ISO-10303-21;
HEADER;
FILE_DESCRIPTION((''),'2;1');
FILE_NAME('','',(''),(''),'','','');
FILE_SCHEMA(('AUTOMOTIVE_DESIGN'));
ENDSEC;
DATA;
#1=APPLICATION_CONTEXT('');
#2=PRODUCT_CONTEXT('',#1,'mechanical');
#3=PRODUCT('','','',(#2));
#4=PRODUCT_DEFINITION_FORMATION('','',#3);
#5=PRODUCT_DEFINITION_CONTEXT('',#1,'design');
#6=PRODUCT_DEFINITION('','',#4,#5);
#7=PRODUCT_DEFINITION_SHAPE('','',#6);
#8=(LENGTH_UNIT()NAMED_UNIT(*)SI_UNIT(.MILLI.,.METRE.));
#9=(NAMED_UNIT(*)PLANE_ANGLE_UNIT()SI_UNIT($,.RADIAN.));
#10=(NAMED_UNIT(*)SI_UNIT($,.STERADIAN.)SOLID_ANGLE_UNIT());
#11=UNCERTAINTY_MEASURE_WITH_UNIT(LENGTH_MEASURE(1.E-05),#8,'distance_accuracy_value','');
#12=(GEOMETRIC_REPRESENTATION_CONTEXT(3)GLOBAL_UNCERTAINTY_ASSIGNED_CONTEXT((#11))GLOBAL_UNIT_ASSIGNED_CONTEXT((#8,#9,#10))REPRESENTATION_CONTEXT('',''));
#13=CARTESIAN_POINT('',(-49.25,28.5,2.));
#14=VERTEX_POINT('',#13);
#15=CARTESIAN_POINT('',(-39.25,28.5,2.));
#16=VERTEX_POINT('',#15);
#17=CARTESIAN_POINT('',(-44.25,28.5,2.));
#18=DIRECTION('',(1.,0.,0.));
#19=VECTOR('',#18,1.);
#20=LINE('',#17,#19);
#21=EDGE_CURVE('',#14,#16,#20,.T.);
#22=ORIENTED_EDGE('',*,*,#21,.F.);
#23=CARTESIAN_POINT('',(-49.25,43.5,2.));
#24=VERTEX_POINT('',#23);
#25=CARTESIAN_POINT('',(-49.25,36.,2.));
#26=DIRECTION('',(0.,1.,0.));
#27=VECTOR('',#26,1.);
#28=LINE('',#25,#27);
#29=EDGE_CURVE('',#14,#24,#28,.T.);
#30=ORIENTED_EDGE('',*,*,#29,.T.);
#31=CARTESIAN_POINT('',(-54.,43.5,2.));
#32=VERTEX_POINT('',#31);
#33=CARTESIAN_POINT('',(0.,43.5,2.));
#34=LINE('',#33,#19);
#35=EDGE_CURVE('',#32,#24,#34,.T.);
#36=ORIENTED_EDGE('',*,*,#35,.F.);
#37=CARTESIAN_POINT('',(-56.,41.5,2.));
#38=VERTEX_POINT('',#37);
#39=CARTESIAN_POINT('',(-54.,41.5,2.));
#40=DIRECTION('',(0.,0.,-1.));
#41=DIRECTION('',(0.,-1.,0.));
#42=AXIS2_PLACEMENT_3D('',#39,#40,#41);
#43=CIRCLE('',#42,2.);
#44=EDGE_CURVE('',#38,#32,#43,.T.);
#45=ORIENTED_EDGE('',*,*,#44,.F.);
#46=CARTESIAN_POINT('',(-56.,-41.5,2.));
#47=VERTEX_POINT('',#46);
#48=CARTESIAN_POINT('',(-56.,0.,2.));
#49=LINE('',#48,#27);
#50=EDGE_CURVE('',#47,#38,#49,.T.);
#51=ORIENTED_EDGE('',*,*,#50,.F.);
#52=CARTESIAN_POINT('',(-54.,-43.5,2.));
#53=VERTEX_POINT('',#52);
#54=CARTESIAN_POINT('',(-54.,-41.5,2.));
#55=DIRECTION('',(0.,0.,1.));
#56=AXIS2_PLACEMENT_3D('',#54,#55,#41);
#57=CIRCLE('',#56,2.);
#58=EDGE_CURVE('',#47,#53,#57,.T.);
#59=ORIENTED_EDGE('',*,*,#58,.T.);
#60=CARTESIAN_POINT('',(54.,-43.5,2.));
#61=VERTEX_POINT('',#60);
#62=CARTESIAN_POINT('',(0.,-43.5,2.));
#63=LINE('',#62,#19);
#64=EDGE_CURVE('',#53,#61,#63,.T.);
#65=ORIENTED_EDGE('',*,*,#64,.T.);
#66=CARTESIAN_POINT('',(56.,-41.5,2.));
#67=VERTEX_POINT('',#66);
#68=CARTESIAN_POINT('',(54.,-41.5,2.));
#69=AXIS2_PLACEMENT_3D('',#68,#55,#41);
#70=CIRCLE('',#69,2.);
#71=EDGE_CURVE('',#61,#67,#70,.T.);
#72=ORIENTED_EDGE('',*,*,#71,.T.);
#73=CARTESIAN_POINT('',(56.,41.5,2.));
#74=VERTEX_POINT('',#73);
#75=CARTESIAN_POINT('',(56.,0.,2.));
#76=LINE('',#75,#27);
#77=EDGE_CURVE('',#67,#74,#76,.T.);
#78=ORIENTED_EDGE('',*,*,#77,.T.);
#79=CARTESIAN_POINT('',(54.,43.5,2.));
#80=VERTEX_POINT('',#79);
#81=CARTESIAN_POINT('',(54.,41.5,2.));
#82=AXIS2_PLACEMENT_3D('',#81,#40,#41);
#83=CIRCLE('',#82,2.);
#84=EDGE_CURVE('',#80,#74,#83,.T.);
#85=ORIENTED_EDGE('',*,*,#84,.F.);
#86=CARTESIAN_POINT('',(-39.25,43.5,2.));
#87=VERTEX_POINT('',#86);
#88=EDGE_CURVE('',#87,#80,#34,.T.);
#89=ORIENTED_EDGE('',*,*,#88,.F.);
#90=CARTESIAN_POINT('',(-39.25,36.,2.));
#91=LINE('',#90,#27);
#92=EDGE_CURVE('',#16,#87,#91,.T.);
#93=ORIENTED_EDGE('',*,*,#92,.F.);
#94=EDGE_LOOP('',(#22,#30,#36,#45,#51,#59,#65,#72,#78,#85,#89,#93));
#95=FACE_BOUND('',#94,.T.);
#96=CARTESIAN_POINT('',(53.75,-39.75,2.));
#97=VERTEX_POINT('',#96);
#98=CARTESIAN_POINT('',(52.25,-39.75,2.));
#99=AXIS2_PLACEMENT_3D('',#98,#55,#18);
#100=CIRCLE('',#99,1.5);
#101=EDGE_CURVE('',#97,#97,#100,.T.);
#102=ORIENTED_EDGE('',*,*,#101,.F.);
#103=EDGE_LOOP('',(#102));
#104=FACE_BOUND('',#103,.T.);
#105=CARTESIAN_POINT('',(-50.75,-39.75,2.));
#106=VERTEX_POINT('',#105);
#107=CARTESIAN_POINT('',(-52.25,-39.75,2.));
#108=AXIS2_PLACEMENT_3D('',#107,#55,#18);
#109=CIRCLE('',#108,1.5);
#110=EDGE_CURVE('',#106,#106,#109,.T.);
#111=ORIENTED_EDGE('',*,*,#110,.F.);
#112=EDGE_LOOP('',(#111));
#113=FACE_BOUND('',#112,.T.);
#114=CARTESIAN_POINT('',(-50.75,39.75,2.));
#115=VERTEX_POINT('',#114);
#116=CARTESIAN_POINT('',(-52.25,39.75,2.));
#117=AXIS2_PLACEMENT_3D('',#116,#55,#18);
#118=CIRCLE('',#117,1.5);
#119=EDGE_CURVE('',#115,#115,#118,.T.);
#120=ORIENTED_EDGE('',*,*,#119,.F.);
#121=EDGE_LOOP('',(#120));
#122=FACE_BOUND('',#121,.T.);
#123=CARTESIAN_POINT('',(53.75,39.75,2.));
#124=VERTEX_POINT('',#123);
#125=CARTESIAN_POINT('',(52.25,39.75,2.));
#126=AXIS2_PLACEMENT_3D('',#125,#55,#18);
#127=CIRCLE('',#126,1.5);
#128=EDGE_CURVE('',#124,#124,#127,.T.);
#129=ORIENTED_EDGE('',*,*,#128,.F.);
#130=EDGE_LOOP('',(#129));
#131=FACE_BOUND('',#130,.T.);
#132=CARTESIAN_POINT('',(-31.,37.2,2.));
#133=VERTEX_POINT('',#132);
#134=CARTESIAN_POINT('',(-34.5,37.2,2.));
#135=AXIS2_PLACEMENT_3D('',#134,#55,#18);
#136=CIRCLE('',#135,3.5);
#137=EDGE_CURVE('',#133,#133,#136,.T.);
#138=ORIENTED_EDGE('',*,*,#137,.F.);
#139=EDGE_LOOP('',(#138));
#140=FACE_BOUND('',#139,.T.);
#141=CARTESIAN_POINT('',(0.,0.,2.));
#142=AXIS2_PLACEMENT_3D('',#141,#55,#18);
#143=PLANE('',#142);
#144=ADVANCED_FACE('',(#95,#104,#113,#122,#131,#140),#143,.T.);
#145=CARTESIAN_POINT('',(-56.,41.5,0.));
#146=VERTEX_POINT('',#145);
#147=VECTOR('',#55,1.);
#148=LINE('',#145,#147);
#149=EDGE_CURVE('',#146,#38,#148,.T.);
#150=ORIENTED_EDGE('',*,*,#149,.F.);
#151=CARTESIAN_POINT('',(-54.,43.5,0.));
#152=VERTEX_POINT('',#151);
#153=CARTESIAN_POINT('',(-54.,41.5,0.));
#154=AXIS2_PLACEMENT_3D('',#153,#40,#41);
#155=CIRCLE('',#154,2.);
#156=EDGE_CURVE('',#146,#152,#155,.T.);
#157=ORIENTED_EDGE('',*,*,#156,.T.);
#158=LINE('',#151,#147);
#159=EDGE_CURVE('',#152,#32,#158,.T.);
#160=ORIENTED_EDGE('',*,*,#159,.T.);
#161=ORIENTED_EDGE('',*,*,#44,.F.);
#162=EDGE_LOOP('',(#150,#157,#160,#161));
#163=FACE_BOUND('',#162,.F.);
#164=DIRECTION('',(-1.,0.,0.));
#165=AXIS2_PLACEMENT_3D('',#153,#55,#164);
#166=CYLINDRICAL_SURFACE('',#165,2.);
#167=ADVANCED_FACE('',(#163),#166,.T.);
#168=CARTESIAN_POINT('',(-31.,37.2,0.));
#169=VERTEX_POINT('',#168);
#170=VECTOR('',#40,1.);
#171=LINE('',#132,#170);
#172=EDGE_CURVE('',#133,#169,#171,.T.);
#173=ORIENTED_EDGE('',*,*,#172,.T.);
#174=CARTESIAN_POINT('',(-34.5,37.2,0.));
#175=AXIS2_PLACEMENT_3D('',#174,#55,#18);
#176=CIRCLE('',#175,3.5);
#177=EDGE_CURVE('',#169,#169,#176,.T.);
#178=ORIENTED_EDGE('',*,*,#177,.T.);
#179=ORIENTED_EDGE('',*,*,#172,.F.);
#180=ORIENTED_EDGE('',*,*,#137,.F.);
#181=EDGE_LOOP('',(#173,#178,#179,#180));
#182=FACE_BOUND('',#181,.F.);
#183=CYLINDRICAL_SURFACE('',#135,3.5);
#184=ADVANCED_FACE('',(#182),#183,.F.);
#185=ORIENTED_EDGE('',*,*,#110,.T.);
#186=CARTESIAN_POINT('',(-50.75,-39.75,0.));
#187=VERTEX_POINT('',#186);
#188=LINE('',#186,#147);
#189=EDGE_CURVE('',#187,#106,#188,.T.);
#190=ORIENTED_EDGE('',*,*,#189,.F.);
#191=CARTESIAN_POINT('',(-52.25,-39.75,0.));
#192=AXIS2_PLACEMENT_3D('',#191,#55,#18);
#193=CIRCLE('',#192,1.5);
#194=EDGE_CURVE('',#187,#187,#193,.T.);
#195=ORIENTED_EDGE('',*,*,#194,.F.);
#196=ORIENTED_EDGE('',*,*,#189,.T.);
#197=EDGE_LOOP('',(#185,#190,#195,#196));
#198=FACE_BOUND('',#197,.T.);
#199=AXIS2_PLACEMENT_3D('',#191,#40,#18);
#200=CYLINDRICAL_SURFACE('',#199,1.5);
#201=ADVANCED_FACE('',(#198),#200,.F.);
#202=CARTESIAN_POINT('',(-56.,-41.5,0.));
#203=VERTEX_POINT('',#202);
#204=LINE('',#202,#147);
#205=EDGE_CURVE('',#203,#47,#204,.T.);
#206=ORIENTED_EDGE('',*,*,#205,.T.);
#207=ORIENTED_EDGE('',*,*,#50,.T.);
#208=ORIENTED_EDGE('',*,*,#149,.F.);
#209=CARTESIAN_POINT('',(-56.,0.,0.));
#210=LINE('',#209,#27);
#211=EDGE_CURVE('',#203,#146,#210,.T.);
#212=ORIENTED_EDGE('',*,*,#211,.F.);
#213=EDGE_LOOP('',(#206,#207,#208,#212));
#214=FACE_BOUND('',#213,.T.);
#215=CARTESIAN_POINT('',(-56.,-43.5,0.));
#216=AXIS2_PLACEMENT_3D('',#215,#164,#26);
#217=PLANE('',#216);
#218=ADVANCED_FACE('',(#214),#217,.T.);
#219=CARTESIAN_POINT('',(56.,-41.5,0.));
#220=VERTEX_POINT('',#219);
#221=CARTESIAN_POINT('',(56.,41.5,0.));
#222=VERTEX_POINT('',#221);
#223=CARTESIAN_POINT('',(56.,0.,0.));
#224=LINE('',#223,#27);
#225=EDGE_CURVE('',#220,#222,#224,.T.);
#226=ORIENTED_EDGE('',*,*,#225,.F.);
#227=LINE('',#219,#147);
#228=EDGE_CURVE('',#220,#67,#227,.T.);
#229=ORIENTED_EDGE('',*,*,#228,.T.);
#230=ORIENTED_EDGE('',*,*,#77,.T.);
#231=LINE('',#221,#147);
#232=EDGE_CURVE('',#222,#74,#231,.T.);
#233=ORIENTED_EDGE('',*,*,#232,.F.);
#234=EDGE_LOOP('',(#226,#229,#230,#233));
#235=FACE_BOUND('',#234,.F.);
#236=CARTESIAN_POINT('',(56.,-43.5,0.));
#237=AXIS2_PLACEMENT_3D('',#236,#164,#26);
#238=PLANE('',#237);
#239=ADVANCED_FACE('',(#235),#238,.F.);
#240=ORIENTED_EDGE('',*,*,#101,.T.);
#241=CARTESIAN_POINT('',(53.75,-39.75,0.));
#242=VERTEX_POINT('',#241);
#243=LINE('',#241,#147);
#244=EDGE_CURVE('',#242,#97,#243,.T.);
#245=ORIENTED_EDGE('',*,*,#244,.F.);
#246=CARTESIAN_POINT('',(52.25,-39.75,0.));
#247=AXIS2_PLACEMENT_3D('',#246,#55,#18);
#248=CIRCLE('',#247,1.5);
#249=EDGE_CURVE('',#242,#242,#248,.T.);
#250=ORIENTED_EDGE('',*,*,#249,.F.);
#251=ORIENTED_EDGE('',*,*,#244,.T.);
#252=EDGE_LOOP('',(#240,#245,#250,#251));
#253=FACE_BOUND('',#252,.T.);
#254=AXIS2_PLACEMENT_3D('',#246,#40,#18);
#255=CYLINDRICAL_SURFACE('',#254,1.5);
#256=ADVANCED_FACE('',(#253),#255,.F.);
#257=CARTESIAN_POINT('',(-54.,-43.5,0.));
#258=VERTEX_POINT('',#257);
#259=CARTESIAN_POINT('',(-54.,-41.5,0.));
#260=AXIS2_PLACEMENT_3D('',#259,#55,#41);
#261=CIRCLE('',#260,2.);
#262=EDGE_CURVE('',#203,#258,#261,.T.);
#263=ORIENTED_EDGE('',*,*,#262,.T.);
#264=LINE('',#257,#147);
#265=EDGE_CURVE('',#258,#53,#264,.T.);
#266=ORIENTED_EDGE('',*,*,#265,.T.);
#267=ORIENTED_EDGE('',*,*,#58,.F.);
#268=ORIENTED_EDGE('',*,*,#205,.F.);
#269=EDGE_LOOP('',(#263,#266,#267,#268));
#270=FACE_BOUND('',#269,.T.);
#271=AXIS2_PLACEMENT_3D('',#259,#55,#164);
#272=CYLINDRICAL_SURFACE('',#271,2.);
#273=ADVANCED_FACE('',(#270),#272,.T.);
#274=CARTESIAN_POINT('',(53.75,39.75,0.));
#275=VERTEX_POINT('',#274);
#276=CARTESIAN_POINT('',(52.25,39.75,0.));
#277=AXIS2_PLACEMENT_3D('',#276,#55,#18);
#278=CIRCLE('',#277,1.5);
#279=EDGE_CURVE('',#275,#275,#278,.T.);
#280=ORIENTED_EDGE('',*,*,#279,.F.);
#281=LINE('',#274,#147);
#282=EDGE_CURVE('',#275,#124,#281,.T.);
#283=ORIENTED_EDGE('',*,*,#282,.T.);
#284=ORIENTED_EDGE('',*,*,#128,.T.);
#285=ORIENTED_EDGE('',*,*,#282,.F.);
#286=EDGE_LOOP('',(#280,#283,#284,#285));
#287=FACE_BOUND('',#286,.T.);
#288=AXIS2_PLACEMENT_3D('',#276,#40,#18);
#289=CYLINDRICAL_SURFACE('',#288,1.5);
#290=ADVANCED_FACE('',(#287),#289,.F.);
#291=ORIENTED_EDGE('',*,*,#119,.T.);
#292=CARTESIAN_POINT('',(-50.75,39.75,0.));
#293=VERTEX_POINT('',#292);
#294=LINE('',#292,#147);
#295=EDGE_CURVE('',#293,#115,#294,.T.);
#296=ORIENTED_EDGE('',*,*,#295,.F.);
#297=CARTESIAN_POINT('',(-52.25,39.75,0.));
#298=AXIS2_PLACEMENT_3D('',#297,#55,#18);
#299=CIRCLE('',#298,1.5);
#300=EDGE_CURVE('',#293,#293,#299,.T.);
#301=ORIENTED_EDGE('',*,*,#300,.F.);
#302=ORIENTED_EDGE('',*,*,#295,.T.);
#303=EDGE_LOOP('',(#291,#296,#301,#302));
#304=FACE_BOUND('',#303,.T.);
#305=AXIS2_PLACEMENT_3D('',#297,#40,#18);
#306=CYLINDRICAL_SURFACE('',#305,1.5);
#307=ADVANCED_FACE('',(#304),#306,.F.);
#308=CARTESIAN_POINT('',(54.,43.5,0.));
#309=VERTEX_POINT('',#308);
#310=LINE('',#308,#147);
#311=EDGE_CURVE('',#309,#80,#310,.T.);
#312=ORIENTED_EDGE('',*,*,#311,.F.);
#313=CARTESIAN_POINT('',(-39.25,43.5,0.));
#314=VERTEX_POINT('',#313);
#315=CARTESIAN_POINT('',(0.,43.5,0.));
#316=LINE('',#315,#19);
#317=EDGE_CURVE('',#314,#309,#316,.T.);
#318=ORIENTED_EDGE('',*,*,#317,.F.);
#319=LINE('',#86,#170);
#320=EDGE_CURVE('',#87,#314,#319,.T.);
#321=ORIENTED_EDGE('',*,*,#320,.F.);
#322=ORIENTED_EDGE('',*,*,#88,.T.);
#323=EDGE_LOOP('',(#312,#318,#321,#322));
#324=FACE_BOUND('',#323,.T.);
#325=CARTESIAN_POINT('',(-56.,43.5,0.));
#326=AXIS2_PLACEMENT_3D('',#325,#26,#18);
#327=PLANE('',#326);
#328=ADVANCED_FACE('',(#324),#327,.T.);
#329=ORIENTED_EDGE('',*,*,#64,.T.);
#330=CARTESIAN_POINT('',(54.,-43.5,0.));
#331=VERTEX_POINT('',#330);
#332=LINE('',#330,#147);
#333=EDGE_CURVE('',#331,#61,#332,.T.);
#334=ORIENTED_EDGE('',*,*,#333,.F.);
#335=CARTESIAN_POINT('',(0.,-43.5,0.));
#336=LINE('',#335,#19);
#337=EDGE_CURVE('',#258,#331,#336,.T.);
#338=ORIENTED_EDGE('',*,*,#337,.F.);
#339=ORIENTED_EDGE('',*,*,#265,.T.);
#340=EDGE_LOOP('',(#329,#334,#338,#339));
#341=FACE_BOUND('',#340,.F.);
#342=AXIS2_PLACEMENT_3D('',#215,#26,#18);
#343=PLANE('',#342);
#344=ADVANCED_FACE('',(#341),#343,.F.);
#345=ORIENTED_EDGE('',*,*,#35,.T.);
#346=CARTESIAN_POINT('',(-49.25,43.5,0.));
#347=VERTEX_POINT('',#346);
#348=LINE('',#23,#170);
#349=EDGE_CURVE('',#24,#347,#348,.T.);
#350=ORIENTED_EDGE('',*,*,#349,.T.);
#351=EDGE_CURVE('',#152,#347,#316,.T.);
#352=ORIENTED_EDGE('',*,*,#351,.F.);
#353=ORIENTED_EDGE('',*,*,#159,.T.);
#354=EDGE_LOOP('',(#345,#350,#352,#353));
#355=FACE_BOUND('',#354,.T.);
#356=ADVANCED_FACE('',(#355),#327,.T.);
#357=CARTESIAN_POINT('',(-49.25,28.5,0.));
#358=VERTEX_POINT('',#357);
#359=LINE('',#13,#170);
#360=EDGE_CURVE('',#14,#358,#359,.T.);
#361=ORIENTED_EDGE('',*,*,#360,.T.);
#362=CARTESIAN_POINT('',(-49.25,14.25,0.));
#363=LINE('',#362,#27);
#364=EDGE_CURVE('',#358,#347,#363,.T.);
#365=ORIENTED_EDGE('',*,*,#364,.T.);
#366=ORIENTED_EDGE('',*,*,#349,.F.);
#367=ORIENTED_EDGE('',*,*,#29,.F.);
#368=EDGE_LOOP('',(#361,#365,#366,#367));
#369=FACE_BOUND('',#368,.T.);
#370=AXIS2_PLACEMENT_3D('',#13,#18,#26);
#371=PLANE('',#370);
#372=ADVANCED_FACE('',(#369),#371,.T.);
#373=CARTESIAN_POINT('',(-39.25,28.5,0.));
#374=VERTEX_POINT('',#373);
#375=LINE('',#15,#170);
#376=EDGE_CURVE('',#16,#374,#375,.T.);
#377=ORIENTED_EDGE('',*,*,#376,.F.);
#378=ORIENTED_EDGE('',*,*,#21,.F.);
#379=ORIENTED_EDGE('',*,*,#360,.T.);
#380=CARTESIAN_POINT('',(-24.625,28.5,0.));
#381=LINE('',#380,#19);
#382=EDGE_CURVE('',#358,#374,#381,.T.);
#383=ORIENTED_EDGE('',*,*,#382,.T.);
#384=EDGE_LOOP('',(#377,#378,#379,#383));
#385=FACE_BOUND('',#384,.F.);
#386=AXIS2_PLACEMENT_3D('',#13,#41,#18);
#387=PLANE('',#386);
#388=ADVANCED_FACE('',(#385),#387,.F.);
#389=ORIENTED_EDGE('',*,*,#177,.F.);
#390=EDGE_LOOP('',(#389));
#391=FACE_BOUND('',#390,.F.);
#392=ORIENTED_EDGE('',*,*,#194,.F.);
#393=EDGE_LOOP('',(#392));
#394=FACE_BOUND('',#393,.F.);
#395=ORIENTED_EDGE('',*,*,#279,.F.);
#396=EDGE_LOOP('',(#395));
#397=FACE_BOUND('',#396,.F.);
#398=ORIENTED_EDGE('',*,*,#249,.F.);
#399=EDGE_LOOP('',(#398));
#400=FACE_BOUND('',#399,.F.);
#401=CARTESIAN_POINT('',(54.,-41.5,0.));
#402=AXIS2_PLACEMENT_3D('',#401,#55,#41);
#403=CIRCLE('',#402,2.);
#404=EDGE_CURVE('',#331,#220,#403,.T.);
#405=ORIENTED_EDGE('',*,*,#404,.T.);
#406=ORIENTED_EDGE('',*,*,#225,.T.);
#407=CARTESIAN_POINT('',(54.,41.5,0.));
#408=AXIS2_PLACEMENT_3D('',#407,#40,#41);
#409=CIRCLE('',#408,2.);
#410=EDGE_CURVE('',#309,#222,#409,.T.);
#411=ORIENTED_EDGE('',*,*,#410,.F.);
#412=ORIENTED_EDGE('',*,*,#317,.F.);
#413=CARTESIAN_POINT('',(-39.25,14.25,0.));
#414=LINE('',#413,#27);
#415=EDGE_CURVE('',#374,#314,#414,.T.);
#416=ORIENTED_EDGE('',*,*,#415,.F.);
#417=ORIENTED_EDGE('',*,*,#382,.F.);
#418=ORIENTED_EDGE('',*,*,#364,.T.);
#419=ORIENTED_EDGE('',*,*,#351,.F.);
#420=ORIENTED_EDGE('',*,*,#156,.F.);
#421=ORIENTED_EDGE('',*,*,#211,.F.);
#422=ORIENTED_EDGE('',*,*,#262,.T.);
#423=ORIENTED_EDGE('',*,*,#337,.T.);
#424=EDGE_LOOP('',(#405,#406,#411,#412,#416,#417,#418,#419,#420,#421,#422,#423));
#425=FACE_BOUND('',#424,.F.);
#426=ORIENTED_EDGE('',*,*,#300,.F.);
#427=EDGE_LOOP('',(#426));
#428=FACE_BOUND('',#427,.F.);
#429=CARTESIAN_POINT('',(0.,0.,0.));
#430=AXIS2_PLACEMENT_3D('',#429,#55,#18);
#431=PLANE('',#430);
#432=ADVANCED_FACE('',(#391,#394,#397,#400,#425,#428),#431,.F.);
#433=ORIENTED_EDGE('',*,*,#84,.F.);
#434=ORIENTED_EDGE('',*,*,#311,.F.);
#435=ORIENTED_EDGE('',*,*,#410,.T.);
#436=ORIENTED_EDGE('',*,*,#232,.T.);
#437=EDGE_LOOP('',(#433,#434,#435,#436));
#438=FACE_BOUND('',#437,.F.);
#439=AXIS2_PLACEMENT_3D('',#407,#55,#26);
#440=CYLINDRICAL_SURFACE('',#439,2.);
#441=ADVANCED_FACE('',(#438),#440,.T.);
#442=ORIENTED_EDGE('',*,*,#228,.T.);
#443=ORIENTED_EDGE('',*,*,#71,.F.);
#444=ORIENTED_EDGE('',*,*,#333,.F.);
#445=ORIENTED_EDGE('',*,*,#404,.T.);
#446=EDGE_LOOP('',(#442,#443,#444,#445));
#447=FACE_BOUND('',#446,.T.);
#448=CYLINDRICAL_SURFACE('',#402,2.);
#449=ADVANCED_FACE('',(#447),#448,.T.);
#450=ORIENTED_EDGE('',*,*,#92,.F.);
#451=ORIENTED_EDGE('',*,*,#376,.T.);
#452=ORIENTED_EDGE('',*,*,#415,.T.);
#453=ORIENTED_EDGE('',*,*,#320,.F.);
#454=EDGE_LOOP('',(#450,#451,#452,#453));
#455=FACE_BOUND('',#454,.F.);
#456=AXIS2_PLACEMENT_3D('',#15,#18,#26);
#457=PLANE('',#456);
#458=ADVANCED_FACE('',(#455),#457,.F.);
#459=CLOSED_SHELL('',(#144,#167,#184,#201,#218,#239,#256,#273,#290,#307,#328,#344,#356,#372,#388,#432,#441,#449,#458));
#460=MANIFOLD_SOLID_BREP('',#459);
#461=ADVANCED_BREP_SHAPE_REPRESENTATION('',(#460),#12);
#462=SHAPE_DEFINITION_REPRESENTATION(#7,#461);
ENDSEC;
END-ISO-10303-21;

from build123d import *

# Parameters (mm, degrees)
F0_W     = 112
F0_H     = 87
F0_R     = 1.5
F1_DEPTH = 2
F2_R     = 2
F3_W     = 10
F3_H     = 15
F3_R     = 3.5
F4_DEPTH = 2.001


with BuildPart() as f1:
    # F0 (on Top) → F1 (new body)
    with BuildSketch(Plane.XY):
        Rectangle(F0_W, F0_H)
        with Locations((-52.25, -39.75)):
            Circle(F0_R, mode=Mode.SUBTRACT)
        with Locations((52.25, -39.75)):
            Circle(F0_R, mode=Mode.SUBTRACT)
        with Locations((-52.25, 39.75)):
            Circle(F0_R, mode=Mode.SUBTRACT)
        with Locations((52.25, 39.75)):
            Circle(F0_R, mode=Mode.SUBTRACT)
    extrude(amount=F1_DEPTH)

    # F2
    f2_edges = [f1.edges().sort_by_distance(p)[0] for p in [
        (-56, -43.5, 1),
        (-56, 43.5, 1),
        (56, 43.5, 1),
        (56, -43.5, 1),
    ]]
    fillet(f2_edges, radius=F2_R)

    # F3 (on face) → F4 (cut, through all)
    with BuildSketch(Plane.XY.offset(2)):
        with Locations((-44.25, 36)):
            Rectangle(F3_W, F3_H)
        with Locations((-34.5, 37.2)):
            Circle(F3_R)
    extrude(amount=-F4_DEPTH, mode=Mode.SUBTRACT)


solid = f1.part
